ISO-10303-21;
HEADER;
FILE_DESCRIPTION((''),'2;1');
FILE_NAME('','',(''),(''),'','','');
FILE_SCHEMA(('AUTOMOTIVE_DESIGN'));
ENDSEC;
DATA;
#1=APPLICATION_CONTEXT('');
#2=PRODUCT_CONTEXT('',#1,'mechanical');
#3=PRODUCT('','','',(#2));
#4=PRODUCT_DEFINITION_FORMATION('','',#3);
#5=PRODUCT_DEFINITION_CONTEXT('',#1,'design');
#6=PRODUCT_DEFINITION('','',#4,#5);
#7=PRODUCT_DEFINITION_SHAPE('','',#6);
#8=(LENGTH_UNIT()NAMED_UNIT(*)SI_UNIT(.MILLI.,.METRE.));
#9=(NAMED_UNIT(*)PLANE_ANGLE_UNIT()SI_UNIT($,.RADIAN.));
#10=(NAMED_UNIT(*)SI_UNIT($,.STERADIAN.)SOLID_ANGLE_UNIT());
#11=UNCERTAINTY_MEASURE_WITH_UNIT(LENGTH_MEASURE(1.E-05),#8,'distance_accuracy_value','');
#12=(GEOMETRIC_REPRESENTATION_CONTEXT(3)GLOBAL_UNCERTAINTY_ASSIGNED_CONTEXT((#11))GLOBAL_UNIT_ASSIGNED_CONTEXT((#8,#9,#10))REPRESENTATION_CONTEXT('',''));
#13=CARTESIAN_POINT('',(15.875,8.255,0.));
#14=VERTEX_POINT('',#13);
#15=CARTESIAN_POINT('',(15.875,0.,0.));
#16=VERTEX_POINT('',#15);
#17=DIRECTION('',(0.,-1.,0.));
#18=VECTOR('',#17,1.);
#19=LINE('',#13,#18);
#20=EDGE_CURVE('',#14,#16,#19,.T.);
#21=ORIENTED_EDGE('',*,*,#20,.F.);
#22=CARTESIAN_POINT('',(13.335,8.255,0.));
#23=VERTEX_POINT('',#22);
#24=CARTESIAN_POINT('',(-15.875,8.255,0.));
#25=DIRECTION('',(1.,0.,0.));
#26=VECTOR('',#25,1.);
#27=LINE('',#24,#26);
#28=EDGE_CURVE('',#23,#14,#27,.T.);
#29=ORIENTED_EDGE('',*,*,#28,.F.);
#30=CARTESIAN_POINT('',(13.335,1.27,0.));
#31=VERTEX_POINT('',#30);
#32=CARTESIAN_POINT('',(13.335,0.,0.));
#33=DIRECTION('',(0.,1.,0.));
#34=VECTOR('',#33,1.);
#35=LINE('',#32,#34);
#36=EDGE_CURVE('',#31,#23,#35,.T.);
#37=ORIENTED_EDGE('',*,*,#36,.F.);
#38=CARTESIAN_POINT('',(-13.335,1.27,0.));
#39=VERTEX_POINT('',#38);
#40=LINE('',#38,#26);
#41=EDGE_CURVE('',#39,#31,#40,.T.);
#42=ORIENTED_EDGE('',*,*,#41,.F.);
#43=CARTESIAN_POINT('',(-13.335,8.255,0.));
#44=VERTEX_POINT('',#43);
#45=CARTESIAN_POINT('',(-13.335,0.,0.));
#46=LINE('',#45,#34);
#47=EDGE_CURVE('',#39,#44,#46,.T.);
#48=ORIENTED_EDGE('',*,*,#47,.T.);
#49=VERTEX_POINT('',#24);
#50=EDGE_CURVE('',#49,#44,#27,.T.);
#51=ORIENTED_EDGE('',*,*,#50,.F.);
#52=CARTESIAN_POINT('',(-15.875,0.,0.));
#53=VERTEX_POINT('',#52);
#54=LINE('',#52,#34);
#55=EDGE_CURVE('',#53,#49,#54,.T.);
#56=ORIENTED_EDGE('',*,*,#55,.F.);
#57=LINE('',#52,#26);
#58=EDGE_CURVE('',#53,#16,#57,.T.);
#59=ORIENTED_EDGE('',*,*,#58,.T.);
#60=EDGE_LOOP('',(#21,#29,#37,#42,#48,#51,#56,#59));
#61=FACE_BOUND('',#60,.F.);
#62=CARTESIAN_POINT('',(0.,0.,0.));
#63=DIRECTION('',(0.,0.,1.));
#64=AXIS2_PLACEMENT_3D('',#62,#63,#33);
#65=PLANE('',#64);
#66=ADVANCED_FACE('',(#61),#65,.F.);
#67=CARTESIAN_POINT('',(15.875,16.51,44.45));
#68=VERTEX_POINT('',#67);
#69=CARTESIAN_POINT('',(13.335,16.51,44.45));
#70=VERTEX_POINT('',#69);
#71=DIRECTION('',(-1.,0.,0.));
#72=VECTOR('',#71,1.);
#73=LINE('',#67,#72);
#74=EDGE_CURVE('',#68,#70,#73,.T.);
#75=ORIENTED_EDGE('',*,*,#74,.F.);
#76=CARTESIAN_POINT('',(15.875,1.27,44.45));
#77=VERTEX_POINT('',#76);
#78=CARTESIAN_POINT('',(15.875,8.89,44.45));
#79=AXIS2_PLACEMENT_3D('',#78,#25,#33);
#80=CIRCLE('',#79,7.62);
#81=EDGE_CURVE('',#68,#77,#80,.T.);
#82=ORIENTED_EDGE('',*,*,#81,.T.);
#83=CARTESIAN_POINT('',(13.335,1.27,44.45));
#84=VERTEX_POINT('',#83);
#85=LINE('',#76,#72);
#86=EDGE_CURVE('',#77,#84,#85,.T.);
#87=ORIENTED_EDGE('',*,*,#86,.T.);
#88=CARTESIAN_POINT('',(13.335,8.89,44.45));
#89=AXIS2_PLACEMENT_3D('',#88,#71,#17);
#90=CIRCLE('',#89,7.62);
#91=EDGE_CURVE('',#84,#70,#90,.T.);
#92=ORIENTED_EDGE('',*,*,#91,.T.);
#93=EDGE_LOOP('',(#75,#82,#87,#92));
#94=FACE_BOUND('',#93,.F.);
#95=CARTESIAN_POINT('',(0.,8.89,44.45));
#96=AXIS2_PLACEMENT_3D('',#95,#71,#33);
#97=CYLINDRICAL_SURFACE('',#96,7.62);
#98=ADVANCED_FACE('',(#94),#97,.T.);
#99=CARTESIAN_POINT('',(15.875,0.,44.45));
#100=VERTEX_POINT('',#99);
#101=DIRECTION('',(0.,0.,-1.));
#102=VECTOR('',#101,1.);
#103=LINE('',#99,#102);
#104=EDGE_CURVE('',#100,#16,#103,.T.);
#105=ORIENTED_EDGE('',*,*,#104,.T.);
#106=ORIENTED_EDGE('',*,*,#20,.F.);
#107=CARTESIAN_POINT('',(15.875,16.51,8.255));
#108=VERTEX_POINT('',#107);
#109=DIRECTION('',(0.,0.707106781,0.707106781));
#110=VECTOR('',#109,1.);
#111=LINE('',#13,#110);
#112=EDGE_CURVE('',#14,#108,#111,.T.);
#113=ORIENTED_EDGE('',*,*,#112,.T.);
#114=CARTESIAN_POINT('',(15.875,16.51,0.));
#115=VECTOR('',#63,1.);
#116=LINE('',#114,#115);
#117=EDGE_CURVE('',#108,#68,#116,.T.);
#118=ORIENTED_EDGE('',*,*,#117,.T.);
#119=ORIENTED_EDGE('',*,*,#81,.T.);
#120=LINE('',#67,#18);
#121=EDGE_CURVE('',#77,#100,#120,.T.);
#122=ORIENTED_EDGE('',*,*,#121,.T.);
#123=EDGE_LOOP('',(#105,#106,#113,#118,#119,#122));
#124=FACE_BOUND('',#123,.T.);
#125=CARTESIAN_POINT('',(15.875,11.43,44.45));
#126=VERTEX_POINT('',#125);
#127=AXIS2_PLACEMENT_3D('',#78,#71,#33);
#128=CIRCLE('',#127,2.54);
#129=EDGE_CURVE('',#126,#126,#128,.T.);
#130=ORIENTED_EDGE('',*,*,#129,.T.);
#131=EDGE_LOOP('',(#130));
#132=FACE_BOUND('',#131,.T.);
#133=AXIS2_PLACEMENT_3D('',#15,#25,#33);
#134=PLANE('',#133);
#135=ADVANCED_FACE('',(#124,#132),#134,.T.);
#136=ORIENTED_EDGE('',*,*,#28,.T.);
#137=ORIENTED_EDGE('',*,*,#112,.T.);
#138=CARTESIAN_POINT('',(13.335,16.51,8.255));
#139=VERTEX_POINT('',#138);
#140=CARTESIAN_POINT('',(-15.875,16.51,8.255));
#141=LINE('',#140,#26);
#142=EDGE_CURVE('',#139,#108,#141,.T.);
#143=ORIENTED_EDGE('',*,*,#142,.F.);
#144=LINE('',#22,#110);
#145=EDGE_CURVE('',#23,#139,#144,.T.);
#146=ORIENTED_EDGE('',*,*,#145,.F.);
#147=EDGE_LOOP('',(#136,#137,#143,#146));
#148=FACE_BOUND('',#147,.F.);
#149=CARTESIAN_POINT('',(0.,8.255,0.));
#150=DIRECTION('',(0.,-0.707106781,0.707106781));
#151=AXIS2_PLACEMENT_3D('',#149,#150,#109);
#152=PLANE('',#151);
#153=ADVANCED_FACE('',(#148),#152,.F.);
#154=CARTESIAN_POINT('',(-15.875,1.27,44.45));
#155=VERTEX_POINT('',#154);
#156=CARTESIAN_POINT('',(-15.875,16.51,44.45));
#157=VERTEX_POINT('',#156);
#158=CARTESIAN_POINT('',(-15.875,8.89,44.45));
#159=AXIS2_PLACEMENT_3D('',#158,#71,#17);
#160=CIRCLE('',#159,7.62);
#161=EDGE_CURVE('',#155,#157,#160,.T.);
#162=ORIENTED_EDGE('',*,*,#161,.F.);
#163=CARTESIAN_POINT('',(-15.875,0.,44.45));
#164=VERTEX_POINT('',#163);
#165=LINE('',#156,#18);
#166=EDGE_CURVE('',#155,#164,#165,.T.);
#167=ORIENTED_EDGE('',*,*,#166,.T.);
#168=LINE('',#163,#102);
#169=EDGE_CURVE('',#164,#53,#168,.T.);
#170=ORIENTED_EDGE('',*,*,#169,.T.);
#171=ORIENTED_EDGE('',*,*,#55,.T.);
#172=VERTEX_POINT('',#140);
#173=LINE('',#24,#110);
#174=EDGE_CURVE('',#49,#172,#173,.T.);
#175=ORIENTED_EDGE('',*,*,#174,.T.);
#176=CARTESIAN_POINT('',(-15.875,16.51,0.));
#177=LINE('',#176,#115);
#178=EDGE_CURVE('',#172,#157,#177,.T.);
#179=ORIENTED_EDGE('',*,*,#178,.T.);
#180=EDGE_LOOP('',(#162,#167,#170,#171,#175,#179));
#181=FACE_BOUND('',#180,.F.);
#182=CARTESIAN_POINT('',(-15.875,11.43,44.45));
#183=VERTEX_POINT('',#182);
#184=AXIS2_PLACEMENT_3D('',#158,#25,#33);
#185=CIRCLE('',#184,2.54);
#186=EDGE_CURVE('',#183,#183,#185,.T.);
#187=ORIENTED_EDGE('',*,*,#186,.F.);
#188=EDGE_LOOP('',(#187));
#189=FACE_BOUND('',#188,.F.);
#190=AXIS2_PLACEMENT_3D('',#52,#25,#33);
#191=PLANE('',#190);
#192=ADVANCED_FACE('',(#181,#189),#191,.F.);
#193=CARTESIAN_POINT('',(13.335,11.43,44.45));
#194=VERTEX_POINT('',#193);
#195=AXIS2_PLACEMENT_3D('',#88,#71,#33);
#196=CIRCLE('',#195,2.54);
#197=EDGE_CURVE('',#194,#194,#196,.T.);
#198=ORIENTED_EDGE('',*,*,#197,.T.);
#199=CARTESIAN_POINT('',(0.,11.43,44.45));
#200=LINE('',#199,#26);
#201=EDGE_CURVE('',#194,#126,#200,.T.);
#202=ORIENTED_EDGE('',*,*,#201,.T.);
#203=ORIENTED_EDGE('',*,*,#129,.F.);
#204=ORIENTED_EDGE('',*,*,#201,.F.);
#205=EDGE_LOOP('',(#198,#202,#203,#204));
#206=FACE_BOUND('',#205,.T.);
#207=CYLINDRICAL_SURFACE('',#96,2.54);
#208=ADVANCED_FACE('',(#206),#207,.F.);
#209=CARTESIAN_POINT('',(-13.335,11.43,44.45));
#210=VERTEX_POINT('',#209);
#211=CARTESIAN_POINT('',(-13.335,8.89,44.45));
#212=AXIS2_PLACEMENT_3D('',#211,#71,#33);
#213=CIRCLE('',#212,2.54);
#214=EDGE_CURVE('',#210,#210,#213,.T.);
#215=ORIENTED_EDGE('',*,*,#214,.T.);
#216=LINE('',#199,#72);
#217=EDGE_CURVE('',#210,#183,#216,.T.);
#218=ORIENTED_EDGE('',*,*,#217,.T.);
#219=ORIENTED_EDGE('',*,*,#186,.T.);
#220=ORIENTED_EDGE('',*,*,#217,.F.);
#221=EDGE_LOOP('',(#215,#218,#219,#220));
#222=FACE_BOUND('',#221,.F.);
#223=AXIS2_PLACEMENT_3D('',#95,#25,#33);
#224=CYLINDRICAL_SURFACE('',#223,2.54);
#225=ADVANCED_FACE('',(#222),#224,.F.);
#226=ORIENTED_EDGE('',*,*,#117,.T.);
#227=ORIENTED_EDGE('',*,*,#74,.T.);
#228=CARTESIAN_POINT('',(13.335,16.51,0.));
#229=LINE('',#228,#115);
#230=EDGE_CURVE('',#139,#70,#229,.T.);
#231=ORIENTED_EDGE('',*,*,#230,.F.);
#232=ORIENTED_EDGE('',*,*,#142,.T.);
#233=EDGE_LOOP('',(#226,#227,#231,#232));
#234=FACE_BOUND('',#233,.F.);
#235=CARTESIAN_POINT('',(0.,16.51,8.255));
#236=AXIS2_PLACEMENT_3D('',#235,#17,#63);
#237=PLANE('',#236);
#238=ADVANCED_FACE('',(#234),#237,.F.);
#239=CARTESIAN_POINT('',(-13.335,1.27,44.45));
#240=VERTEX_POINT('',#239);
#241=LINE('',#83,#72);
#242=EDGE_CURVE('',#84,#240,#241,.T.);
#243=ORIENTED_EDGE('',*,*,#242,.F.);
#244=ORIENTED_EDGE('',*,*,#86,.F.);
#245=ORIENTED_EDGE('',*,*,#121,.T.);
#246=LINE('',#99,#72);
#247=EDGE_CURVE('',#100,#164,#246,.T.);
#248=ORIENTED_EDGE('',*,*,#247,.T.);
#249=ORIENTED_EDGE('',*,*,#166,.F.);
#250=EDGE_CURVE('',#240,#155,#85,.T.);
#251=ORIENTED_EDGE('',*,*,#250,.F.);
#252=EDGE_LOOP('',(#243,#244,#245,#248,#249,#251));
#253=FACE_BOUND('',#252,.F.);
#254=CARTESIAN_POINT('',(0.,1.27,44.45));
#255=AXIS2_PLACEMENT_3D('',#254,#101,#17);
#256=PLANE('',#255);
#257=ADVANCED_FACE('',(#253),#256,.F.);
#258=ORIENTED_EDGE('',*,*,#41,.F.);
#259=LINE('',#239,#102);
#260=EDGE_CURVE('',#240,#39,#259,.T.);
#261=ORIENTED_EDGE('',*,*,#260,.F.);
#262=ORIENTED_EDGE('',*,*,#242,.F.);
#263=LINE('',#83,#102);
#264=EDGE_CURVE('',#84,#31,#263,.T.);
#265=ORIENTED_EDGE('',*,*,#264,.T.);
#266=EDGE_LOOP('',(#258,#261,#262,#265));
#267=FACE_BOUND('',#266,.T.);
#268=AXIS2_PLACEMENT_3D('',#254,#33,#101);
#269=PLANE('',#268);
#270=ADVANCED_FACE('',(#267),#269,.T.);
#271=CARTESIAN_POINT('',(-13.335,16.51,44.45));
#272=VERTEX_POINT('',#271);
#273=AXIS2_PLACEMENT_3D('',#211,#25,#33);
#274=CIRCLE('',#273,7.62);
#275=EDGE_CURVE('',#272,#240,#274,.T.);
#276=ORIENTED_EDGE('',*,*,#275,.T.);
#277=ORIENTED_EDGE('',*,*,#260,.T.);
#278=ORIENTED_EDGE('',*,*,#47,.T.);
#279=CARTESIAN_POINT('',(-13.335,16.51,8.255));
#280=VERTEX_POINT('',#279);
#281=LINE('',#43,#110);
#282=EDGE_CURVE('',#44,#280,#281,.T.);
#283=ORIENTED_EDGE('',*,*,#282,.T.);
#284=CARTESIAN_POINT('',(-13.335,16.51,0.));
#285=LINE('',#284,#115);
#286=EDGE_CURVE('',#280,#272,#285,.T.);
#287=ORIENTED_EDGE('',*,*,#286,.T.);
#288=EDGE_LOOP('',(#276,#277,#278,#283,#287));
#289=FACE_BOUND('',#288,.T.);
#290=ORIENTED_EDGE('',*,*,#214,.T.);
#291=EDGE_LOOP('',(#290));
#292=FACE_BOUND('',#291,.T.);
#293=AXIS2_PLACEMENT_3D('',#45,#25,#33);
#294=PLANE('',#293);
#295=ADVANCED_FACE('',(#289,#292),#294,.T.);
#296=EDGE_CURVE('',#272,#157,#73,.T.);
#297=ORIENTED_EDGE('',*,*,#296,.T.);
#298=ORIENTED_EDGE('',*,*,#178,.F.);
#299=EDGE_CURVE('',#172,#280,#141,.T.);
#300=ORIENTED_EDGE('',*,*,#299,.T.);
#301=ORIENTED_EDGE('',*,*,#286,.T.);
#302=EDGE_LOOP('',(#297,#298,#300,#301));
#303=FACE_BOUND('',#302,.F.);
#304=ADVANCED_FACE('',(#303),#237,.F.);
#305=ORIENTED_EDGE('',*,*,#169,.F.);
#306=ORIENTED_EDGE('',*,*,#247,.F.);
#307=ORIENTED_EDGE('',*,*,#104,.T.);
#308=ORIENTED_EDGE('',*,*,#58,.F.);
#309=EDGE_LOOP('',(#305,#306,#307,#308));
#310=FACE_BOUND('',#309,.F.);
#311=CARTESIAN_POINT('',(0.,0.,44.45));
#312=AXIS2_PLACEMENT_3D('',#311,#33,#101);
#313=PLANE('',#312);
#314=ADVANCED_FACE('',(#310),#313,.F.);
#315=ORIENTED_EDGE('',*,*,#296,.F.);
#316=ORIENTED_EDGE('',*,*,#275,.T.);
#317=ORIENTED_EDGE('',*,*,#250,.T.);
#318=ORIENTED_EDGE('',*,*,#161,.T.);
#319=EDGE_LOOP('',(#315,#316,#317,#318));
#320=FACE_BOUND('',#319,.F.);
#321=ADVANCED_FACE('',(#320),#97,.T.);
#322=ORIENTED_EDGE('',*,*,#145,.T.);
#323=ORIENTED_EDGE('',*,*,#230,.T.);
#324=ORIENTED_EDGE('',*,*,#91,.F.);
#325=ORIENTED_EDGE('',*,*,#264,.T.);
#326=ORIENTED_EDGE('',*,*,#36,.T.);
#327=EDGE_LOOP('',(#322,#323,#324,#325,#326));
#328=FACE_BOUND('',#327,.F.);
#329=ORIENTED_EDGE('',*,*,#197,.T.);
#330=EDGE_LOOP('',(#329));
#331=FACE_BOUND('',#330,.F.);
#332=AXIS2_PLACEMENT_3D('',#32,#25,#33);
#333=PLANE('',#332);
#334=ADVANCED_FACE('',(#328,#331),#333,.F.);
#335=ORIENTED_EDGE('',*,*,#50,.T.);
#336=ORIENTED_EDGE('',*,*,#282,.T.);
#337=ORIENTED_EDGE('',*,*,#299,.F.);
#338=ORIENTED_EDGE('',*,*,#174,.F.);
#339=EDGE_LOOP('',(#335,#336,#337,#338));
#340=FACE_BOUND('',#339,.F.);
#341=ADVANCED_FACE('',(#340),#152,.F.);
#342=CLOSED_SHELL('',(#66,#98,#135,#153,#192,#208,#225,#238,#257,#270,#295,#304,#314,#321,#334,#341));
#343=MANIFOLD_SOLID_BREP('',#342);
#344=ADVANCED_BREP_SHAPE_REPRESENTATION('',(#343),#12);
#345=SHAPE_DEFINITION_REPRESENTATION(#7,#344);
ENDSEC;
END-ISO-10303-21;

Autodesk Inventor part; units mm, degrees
ref_plane "YZ Plane" through (0, 0, 0) normal (1, 0, 0) x (0, 1, 0)
ref_plane "XZ Plane" through (0, 0, 0) normal (0, 1, 0) x (-1, 0, 0)
ref_plane "XY Plane" through (0, 0, 0) normal (0, 0, 1) x (1, 0, 0)
sketch "Sketch1" plane through (0, 0, 0) normal (1, 0, 0) x (0, 1, 0)
  line L0 (0, 0) -> (16.51, 0)
  line L1 (16.51, 0) -> (16.51, 44.45)
  line L2 (16.51, 44.45) -> (0, 44.45)
  line L3 (0, 44.45) -> (0, 0)
  line L4 (1.27, 44.45) -> (1.27, 0)
  circle A0 centre (8.89, 44.45) radius 7.62
  line L5 (0, 44.45) -> (2.3586, 48.3749)
  circle A1 centre (8.89, 44.45) radius 2.54
  line L6 (8.255, 0) -> (16.51, 8.255)
  dimension "d2" = 15.24
  dimension "d0" = 44.45
  dimension "d1" = 1.27
  dimension "d3" = 7.62
  dimension "d4" = 5.08
  dimension "d5" = 45
extrude "Extrusion1" add sketch "Sketch1" along normal mid plane 31.75 contours L3 L2 L4 L0 | L4 A0 L1 L6 L0 | A0 L2 A1 | L2 A1 A0 | A1 L2 | L2 A1
extrude "Extrusion2" cut sketch "Sketch1" along normal through all both and the other way through all contours A1 L2 | L2 A1
extrude "Extrusion3" cut sketch "Sketch1" along normal mid plane 26.67 contours L4 A0 L1 L6 L0 | A0 L2 A1 | L2 A1 A0 | L2 A1 picked at (9.5237, 43.4833)
equation "\"d3\" = 0.5 * d2"
properties part number "LegHolderV2"
